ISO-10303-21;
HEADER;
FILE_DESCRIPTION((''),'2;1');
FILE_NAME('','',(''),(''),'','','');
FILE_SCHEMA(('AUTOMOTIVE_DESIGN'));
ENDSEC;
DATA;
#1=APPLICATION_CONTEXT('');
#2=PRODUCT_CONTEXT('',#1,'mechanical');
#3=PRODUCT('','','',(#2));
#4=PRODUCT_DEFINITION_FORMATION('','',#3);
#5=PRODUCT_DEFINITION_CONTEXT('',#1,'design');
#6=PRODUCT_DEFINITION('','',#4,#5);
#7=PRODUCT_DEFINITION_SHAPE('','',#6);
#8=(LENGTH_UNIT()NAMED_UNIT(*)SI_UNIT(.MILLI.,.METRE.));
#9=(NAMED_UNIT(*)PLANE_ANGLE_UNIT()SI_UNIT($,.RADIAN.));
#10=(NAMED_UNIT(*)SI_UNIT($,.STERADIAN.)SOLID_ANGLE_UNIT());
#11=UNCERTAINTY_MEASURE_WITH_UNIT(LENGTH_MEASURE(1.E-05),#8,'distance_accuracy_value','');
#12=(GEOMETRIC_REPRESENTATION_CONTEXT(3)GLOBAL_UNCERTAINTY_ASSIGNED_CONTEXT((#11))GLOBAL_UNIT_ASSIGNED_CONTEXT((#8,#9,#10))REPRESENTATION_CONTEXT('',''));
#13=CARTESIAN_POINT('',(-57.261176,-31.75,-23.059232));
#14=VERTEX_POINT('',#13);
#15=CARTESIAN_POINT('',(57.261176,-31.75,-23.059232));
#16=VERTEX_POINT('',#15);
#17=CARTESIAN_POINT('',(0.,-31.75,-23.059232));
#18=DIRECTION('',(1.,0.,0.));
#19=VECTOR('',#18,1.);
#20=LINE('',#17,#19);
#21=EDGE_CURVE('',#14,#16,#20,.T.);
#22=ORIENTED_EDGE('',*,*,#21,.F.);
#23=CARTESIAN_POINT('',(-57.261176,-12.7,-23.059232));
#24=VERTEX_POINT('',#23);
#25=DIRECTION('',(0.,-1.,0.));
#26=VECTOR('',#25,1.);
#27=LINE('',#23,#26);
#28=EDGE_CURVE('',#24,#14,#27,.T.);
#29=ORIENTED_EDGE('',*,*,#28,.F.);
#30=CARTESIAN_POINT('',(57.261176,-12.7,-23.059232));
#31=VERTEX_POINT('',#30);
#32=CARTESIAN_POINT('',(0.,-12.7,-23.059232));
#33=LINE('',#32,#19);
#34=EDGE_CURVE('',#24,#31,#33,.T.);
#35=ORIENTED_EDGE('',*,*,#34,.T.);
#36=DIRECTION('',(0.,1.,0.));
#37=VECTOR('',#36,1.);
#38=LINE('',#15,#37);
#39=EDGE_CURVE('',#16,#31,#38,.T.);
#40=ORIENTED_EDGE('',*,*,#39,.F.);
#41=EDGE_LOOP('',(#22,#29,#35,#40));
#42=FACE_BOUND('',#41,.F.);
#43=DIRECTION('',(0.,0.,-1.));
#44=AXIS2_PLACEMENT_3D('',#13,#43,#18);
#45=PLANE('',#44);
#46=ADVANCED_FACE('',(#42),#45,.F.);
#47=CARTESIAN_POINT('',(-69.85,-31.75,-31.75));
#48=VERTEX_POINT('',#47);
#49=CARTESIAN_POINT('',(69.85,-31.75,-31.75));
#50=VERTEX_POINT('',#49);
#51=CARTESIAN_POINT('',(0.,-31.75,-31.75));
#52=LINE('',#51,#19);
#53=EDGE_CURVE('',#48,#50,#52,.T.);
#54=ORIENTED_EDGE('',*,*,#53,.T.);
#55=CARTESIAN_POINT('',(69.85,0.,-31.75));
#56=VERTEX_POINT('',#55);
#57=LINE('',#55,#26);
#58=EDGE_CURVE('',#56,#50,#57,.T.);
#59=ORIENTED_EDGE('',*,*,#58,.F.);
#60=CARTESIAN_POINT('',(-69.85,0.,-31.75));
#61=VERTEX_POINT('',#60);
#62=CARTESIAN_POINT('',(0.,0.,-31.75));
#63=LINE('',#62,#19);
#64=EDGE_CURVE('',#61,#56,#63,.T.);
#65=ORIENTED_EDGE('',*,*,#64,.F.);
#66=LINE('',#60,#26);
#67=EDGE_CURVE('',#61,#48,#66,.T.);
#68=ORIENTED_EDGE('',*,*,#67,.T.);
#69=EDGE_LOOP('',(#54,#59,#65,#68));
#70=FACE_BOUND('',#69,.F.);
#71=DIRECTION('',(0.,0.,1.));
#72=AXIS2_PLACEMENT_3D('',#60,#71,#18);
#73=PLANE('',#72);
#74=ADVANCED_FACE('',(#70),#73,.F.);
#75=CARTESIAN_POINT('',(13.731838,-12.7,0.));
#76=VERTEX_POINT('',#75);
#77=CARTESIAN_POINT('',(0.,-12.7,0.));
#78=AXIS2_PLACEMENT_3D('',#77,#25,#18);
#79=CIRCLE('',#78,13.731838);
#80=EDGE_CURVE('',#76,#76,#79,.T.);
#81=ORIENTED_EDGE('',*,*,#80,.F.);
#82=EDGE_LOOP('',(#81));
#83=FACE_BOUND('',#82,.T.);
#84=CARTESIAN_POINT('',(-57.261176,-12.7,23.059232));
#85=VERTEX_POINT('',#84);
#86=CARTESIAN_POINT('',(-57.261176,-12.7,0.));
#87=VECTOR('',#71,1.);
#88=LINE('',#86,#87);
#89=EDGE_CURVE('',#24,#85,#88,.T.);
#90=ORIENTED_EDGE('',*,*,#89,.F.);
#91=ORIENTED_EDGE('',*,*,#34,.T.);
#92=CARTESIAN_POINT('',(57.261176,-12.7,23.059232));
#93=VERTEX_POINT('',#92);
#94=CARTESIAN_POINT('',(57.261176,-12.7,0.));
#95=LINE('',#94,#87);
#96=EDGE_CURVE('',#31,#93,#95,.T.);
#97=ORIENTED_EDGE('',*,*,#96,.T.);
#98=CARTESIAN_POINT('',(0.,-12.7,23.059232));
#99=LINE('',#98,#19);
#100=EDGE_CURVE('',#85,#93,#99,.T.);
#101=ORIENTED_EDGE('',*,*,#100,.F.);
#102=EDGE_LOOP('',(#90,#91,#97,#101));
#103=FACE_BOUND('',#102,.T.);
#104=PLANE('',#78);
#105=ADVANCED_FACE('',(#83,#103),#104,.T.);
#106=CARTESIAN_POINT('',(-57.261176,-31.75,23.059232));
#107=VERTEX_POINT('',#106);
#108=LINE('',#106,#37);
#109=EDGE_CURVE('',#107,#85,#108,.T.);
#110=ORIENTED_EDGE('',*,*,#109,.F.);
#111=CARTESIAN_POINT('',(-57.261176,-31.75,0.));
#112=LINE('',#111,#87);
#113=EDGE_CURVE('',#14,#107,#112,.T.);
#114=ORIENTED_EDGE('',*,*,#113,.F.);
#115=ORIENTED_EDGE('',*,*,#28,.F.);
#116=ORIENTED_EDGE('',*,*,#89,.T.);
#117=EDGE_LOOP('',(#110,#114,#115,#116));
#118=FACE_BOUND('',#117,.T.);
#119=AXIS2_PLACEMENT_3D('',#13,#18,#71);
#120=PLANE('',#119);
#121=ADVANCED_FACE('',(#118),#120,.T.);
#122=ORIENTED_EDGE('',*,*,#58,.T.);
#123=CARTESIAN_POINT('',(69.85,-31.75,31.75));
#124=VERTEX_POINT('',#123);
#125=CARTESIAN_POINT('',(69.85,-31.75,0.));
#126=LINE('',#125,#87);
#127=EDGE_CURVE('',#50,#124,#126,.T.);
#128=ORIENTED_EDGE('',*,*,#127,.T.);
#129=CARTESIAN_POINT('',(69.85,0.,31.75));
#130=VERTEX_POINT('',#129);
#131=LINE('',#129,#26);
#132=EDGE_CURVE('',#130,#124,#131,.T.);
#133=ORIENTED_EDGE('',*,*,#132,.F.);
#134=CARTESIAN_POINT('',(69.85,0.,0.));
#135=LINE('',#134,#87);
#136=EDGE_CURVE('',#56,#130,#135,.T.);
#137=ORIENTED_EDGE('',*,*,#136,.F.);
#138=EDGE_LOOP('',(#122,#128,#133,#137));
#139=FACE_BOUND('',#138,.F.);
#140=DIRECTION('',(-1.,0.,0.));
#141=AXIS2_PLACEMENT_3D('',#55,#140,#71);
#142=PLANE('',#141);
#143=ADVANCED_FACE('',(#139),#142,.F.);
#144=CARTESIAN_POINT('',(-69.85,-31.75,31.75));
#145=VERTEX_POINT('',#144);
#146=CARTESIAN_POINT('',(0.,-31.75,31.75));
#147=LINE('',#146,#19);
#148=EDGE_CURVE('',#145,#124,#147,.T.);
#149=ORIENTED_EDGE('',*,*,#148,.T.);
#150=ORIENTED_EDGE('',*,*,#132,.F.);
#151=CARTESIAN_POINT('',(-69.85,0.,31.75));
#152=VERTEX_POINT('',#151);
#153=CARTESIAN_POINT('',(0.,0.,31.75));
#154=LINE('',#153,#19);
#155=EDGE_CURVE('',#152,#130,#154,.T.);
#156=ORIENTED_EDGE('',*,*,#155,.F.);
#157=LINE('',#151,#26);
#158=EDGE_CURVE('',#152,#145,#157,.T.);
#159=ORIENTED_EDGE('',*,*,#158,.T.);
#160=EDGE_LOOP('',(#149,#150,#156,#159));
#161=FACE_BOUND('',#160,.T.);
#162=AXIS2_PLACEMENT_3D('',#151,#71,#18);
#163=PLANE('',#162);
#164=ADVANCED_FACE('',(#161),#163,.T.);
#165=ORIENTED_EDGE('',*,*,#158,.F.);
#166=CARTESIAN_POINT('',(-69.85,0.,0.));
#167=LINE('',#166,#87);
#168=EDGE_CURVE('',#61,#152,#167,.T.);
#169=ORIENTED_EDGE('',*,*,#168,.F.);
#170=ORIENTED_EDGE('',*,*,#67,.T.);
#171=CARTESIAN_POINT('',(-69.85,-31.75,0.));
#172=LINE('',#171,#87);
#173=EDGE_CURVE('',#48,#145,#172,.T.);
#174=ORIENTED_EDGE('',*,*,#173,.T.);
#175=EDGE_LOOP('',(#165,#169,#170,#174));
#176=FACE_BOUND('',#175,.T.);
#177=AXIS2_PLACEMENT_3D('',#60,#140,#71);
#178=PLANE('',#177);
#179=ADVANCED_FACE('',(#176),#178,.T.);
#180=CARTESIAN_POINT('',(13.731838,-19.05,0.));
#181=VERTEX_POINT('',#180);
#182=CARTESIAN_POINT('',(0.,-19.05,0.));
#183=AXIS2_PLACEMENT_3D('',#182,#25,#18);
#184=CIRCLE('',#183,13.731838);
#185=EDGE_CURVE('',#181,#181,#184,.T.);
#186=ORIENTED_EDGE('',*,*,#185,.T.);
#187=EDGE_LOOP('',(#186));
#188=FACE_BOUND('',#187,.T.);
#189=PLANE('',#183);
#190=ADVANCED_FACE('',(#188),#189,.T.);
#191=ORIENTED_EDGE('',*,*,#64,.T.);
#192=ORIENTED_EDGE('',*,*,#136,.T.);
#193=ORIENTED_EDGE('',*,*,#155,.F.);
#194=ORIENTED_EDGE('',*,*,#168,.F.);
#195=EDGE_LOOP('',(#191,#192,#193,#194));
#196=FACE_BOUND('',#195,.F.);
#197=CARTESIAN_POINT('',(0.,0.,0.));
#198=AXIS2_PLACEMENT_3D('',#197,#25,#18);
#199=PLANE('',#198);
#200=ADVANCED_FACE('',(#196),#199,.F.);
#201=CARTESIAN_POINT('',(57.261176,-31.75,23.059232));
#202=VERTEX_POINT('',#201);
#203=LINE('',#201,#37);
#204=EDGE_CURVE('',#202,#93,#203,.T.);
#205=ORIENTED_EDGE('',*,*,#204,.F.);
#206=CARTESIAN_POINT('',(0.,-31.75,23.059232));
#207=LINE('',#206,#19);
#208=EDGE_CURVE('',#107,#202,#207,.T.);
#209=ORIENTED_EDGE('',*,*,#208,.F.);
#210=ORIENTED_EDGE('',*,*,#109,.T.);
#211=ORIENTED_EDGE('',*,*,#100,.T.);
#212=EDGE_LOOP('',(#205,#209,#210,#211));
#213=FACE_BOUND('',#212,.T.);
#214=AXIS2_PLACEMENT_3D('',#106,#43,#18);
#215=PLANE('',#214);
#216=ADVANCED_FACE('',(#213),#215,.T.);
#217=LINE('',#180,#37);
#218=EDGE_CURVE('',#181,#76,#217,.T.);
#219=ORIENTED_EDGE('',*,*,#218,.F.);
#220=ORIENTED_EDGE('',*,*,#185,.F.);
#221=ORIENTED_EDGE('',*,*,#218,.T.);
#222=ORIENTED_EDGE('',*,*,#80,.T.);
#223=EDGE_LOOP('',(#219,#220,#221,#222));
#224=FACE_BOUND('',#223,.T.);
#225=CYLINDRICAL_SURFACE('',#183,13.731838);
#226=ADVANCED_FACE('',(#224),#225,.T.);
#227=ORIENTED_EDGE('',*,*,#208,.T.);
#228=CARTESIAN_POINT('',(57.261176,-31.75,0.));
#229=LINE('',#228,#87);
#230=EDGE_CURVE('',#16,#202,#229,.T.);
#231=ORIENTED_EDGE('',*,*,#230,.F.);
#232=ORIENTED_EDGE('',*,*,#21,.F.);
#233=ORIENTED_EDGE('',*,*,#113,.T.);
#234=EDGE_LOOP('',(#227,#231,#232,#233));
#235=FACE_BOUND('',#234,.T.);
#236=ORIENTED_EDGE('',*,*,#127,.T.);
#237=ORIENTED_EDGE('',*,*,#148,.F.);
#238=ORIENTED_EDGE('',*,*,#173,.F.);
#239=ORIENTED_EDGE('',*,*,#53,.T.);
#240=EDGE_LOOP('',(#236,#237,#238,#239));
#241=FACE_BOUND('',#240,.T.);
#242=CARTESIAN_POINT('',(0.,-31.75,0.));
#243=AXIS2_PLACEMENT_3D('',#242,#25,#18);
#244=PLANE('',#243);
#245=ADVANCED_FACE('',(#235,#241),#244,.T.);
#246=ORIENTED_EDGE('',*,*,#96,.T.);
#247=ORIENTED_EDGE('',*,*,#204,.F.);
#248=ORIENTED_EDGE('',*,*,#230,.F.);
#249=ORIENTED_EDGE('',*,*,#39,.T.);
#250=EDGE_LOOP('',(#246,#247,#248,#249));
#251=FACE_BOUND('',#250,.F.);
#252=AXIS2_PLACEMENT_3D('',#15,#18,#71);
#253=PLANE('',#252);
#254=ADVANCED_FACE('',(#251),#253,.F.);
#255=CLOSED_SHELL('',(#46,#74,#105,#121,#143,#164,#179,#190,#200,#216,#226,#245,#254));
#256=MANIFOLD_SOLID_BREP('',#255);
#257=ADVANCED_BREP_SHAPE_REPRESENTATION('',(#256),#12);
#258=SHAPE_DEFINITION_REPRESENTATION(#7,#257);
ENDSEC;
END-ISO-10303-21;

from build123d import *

# Parameters (mm, degrees)
F0_W     = 139.7
F0_H     = 63.5
F1_DEPTH = 31.75
F2_W     = 114.522352
F2_H     = 46.118464
F3_DEPTH = 12.7
F4_W     = 114.522352
F4_H     = 46.118464
F4_R     = 13.731838
F5_DEPTH = 6.35


with BuildPart() as f1:
    # F0 (on Front) → F1 (new body)
    with BuildSketch(Plane.XZ):
        Rectangle(F0_W, F0_H)
    extrude(amount=F1_DEPTH)

    # F2 (on face) → F3 (cut)
    with BuildSketch(Plane.XZ.offset(31.75)):
        Rectangle(F2_W, F2_H)
    extrude(amount=-F3_DEPTH, mode=Mode.SUBTRACT)

    # F4 (on face) → F5 (cut)
    with BuildSketch(Plane.XZ.offset(19.05)):
        Rectangle(F4_W, F4_H)
        Circle(F4_R, mode=Mode.SUBTRACT)
    extrude(amount=-F5_DEPTH, mode=Mode.SUBTRACT)


solid = f1.part
